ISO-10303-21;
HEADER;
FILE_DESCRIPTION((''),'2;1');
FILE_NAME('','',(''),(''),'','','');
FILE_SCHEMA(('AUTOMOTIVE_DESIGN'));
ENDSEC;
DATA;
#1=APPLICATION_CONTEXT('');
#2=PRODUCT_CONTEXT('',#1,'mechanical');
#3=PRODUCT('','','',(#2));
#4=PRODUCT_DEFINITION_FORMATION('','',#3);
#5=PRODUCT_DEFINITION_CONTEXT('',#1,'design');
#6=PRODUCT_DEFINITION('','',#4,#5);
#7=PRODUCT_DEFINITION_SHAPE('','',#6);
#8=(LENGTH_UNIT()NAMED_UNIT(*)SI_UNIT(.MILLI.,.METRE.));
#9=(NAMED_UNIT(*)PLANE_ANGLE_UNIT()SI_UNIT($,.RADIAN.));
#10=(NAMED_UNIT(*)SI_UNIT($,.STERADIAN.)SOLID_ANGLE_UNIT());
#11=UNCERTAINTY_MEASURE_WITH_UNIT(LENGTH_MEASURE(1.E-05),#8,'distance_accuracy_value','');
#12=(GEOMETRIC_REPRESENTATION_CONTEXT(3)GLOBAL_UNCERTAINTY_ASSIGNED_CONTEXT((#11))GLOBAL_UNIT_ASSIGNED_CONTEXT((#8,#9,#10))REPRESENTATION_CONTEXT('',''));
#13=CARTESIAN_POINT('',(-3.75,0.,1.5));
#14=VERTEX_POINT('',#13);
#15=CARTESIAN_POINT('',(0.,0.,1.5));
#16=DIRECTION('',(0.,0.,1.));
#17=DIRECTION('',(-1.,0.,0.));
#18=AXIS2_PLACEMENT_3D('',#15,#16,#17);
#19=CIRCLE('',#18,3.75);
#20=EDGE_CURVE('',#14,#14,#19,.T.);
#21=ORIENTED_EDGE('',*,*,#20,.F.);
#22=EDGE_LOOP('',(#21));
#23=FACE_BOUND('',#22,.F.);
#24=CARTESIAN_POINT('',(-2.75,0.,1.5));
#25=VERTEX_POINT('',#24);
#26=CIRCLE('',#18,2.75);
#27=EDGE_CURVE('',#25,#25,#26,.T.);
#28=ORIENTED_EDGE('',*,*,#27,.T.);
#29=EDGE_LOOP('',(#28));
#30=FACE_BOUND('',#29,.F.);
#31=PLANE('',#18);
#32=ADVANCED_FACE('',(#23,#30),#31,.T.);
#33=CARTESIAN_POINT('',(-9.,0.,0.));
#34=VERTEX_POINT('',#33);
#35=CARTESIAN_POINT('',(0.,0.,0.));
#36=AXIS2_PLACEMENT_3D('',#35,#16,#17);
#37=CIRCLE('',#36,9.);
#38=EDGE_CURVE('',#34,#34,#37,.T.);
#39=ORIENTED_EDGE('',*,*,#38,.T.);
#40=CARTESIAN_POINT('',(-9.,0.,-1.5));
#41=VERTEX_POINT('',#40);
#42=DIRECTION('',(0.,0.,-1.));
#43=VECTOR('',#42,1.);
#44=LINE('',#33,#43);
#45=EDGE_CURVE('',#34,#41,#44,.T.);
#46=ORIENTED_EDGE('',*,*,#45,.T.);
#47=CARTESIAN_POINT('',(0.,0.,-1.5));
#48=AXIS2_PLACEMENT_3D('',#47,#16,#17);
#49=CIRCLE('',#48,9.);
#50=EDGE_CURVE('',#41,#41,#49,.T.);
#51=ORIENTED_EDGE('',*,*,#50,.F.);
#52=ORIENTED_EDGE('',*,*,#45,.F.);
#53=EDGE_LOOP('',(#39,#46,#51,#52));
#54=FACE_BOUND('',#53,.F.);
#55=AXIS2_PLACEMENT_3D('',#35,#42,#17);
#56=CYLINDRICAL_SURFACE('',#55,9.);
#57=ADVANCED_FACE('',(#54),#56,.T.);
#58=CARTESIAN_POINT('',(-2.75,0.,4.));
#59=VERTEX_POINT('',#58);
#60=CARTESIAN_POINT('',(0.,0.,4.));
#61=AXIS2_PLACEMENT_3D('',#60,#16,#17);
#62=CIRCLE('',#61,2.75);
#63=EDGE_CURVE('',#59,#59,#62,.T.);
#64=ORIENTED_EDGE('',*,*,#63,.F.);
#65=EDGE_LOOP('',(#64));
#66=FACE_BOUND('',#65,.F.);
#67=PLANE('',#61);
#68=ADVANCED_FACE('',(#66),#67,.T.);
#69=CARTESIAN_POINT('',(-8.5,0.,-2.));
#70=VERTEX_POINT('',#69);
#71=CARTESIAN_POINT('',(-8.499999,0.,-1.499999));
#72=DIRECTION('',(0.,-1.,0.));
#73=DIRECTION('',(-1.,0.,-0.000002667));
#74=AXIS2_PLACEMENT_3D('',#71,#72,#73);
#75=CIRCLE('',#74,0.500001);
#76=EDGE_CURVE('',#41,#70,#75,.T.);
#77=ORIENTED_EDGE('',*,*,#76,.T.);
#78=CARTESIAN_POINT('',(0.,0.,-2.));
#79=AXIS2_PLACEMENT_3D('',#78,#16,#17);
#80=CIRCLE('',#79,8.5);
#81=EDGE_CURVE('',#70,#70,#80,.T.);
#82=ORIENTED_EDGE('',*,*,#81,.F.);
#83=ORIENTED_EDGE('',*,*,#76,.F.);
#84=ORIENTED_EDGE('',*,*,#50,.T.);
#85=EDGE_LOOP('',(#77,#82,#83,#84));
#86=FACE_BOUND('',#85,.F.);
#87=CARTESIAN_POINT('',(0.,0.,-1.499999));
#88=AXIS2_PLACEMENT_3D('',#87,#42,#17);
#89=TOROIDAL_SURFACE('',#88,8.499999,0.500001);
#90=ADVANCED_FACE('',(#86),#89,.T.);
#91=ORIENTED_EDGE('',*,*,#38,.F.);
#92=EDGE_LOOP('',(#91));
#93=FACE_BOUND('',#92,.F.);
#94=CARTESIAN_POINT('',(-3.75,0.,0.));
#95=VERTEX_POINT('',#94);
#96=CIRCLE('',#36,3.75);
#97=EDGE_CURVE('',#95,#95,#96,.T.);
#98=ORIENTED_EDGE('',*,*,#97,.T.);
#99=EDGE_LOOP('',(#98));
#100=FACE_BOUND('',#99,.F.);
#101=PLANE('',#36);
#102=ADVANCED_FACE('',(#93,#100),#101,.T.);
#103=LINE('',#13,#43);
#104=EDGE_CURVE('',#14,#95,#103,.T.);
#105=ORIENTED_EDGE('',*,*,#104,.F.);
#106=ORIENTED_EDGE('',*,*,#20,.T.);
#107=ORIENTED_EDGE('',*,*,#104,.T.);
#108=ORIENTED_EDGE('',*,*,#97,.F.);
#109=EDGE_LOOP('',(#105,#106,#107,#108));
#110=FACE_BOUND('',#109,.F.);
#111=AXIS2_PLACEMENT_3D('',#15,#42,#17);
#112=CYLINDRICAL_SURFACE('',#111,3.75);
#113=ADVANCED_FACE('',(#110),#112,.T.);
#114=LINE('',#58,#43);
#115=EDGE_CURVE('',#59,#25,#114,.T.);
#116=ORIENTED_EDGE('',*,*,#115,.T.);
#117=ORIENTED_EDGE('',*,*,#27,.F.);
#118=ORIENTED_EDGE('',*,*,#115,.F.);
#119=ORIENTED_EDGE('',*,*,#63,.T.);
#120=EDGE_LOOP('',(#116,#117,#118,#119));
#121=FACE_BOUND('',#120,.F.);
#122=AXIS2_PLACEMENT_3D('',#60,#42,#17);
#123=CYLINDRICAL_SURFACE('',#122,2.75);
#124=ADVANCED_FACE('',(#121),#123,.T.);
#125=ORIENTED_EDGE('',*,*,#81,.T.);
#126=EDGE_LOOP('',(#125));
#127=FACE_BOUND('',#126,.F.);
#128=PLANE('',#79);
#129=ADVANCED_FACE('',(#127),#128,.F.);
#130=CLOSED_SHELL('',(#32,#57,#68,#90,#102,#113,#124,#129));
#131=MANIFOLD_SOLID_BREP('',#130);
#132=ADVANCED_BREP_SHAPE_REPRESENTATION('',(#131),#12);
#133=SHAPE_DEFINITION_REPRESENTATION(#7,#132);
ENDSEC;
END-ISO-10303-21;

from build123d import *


with BuildPart() as f1:
    # F0 (on Front) → F1 (revolve)
    with BuildSketch(Plane.XZ):
        with BuildLine():
            Line((0, -2), (0, 4))
            Line((0, 4), (-2.75, 4))
            Line((-2.75, 4), (-2.75, 1.5))
            Line((-2.75, 1.5), (-3.75, 1.5))
            Line((-3.75, 1.5), (-3.75, 0))
            Line((-3.75, 0), (-9, 0))
            Line((-9, 0), (-9, -1.5))
            ThreePointArc((-9, -1.5), (-8.853553, -1.853553), (-8.5, -2))
            Line((-8.5, -2), (0, -2))
        make_face()
    revolve(axis=Axis((0, 0, 1), (0, 0, 1)))


solid = f1.part
